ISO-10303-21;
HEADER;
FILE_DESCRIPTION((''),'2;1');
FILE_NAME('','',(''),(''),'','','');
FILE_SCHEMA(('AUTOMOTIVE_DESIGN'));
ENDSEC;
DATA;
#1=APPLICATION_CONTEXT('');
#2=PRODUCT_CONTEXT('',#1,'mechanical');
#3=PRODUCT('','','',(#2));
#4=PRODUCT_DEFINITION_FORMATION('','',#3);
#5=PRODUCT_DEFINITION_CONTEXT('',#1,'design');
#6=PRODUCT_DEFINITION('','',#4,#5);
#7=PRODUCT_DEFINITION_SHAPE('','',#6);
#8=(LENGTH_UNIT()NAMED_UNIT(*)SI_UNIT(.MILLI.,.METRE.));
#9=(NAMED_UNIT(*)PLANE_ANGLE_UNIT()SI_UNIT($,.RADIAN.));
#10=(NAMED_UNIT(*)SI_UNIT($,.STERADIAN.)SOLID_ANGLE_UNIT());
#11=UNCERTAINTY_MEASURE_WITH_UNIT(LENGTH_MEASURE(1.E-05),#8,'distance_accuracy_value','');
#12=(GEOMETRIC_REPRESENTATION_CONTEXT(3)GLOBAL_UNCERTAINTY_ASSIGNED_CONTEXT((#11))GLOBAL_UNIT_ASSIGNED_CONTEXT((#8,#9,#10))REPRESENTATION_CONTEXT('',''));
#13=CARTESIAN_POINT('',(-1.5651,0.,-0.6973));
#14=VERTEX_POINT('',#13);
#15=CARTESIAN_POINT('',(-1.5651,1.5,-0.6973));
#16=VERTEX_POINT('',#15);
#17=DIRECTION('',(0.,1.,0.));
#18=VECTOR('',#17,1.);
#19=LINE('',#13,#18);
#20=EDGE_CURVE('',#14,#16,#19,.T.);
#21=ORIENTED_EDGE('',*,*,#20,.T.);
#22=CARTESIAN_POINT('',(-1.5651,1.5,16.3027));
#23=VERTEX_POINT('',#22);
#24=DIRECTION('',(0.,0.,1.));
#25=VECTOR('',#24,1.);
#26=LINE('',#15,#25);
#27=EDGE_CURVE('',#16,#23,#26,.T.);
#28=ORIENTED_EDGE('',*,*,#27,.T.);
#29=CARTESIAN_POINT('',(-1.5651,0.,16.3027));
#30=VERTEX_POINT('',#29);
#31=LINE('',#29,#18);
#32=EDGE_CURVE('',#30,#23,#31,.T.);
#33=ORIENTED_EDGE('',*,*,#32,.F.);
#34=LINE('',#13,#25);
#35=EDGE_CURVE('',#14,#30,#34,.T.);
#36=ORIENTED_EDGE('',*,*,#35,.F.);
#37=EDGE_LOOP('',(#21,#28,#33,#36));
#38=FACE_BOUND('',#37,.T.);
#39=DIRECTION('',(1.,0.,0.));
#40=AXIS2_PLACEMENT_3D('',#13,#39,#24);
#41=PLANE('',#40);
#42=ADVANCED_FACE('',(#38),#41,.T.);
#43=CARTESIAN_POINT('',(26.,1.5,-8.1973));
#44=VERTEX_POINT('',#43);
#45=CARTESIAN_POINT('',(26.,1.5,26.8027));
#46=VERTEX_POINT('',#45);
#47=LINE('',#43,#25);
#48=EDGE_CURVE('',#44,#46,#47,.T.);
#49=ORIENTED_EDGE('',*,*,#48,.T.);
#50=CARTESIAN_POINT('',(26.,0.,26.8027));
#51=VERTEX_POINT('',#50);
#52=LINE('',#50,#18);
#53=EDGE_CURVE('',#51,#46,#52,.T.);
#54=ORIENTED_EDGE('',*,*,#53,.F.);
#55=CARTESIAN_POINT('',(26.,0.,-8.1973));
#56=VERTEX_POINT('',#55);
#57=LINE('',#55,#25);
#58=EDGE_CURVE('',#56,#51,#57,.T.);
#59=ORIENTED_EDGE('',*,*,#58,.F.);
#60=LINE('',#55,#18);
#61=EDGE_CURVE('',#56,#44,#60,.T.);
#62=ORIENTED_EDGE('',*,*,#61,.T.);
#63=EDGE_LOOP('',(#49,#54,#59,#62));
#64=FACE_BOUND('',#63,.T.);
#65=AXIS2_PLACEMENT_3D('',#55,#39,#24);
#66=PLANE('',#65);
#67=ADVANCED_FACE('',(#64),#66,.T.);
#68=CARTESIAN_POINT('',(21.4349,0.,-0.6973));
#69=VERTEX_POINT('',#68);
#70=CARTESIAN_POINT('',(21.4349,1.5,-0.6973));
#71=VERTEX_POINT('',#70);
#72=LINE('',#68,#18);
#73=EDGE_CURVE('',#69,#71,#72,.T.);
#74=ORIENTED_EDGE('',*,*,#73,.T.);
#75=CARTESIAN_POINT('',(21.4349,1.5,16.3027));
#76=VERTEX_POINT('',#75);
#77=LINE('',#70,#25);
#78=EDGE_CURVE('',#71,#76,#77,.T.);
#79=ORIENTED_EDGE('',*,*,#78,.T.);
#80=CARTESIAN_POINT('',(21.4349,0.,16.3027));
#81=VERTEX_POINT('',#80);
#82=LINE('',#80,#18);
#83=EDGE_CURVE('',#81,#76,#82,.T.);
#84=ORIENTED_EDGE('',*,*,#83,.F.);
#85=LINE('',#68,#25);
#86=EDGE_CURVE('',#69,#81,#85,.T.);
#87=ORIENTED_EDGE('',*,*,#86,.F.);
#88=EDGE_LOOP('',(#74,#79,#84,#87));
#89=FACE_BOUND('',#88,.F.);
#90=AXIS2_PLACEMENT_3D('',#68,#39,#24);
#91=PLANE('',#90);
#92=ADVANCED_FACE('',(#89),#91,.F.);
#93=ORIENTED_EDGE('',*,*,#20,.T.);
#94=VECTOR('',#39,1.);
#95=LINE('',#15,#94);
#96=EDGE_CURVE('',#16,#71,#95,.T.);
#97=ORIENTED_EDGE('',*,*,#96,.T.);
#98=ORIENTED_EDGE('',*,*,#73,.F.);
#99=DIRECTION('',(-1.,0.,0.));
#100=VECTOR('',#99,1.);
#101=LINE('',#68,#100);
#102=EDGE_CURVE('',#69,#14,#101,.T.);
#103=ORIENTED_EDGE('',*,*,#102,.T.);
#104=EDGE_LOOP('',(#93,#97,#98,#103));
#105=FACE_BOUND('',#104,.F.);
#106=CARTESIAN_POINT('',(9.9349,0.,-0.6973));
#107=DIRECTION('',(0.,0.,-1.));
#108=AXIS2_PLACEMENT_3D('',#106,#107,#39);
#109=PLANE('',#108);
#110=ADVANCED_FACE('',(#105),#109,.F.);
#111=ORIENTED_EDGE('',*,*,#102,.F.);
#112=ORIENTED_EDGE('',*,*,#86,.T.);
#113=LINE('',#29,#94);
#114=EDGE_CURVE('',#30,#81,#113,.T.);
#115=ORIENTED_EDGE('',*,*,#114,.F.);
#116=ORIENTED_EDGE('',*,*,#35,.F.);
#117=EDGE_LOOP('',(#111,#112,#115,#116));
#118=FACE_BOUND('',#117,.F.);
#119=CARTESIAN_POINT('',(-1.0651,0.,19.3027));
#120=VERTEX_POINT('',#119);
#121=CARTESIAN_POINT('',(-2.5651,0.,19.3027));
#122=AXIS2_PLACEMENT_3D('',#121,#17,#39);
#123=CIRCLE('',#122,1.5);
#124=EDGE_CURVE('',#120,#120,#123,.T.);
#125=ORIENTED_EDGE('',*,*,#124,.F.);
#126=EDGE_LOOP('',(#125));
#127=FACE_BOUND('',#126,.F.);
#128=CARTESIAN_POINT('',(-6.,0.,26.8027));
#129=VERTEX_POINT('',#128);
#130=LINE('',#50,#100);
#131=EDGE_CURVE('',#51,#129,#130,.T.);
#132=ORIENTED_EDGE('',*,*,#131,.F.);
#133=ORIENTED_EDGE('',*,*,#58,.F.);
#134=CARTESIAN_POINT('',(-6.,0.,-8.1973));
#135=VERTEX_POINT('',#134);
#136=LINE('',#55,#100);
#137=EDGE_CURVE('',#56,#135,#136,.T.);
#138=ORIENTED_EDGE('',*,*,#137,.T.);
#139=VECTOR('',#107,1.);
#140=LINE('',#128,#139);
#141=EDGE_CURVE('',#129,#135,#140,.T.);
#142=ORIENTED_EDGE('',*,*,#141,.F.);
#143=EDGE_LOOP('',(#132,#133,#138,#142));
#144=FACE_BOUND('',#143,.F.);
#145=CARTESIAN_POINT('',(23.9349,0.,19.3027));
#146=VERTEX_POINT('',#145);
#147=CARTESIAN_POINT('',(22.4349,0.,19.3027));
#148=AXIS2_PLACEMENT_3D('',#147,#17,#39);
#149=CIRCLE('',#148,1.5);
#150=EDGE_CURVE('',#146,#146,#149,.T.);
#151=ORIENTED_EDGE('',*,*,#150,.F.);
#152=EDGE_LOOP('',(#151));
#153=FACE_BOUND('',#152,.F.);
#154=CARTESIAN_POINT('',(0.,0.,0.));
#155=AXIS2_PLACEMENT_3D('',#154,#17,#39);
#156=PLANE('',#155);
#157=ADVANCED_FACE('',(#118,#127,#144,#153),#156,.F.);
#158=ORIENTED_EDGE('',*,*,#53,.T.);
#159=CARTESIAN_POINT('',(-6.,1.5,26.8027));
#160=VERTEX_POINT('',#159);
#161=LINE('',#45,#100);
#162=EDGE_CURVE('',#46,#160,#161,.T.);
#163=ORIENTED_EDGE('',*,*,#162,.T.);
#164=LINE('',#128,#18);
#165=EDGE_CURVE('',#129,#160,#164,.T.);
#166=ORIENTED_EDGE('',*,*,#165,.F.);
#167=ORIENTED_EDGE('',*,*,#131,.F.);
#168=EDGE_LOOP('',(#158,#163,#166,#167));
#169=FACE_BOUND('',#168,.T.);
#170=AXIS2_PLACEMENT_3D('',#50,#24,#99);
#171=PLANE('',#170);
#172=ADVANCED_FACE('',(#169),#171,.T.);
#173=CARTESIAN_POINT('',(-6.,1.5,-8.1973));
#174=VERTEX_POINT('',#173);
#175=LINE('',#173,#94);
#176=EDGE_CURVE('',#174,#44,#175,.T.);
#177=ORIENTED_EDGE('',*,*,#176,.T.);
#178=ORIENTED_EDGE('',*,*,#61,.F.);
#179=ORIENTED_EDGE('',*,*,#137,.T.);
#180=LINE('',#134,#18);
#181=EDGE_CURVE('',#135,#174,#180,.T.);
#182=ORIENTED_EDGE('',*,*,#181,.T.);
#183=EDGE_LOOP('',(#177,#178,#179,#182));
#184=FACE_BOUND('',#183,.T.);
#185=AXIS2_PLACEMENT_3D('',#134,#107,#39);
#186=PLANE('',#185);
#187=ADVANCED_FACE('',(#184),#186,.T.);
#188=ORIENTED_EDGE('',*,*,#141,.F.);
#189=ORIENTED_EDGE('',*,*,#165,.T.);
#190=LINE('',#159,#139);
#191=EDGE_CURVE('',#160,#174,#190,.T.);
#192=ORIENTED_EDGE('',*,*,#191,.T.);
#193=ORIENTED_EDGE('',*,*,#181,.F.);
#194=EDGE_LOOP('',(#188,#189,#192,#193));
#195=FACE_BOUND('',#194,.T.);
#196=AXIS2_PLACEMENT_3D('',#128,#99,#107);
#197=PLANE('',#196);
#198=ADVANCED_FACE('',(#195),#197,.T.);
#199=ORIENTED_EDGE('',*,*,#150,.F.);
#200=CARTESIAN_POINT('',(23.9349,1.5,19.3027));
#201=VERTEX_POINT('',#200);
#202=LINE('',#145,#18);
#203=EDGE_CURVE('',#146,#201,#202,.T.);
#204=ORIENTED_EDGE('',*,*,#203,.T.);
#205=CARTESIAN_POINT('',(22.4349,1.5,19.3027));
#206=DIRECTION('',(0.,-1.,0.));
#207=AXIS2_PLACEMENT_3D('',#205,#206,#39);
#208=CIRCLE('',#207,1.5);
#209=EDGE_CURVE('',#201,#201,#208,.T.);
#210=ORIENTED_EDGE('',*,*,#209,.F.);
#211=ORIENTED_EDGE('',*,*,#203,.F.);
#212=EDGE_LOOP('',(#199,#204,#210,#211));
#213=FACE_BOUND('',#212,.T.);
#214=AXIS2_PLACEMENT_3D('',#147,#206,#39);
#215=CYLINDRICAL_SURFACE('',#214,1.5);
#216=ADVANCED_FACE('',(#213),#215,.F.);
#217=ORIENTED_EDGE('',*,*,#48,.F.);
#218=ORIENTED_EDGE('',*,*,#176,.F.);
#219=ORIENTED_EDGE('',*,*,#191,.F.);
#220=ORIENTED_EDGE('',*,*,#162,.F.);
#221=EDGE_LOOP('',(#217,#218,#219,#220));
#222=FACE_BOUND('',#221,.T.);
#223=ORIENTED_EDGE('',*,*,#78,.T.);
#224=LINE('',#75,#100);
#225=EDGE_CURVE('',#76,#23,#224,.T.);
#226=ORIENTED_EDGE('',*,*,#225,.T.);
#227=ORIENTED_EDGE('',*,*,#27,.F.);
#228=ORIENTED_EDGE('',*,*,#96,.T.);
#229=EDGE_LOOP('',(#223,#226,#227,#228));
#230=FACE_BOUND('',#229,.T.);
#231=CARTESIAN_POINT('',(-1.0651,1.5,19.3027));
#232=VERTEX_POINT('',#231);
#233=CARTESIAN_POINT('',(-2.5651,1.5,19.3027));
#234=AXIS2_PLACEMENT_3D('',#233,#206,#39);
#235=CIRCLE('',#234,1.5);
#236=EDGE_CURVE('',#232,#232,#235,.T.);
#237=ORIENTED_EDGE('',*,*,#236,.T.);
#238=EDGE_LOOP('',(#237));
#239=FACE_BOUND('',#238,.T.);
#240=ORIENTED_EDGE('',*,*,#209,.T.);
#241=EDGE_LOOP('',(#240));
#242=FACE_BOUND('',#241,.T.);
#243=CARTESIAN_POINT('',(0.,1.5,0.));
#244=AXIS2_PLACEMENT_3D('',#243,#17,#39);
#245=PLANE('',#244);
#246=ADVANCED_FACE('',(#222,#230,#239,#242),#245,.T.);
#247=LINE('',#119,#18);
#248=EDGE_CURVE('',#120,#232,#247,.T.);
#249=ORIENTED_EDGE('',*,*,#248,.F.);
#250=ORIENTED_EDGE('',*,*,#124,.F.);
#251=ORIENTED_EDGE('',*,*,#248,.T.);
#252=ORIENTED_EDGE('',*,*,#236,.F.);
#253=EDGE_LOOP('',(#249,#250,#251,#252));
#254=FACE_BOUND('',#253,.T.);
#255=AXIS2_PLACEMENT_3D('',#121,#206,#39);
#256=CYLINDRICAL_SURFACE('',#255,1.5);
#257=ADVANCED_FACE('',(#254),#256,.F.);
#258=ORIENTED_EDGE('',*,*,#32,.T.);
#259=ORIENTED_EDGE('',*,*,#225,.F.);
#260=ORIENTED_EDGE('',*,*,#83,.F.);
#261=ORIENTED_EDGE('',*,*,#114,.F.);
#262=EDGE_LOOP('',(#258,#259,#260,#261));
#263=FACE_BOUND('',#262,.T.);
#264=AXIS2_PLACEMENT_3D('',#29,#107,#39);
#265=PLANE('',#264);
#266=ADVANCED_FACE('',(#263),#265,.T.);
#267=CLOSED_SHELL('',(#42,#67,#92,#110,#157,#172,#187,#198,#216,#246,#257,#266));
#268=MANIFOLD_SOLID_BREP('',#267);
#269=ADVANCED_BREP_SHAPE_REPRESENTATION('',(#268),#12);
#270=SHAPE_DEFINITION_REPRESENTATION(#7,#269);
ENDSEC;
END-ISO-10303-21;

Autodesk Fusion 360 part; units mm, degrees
sketch "Sketch9" plane through (0, 0, 0) normal (0, 1, 0) x (1, 0, 0)
  line L0 (-6, 8.1973) -> (26, 8.1973)
  line L1 (26, 8.1973) -> (26, -26.8027)
  line L2 (26, -26.8027) -> (-6, -26.8027)
  line L3 (-6, -26.8027) -> (-6, 8.1973)
  line L4 (10, 8.1973) -> (10, -16.3027)
  line L5 (22.4349, 8.1973) -> (22.4349, -19.3027)
  line L6 (-2.5651, 8.1973) -> (-2.5651, -19.3027)
  circle A0 centre (-2.5651, -19.3027) radius 1.5
  circle A1 centre (22.4349, -19.3027) radius 1.5
  line L7 (-2.5651, -19.3027) -> (22.4349, -19.3027)
  line L8 (10, -16.3027) -> (9.4349, -16.3027)
  line L9 (-2.5651, -16.3027) -> (22.4349, -16.3027)
  line L10 (9.9349, 0.6973) -> (-1.5651, 0.6973)
  line L11 (9.9349, 0.6973) -> (21.4349, 0.6973)
  line L12 (-1.5651, 0.6973) -> (-1.5651, -16.3027)
  line L13 (21.4349, 0.6973) -> (21.4349, -16.3027)
  dimension "d91" = 35
  dimension "d92" = 32
  dimension "d124" = 24.5
  dimension "d125" = 27.5
  dimension "d129" = 27.5
  dimension "d130" = 3
  dimension "d131" = 3
  dimension "d132" = 25
  dimension "d134" = 11.5
  dimension "d135" = 11.5
extrude "Extrude14" add sketch "Sketch9" along normal blind 1.5 contours L0 L1 L2 L3 L5 L6 A0 A1 L7 | L0 L4 L6 L9 L10 L11 L12 | L0 L4 L5 L9 L11 L13 | L5 L6 A0 A1 L7 L8 L9
